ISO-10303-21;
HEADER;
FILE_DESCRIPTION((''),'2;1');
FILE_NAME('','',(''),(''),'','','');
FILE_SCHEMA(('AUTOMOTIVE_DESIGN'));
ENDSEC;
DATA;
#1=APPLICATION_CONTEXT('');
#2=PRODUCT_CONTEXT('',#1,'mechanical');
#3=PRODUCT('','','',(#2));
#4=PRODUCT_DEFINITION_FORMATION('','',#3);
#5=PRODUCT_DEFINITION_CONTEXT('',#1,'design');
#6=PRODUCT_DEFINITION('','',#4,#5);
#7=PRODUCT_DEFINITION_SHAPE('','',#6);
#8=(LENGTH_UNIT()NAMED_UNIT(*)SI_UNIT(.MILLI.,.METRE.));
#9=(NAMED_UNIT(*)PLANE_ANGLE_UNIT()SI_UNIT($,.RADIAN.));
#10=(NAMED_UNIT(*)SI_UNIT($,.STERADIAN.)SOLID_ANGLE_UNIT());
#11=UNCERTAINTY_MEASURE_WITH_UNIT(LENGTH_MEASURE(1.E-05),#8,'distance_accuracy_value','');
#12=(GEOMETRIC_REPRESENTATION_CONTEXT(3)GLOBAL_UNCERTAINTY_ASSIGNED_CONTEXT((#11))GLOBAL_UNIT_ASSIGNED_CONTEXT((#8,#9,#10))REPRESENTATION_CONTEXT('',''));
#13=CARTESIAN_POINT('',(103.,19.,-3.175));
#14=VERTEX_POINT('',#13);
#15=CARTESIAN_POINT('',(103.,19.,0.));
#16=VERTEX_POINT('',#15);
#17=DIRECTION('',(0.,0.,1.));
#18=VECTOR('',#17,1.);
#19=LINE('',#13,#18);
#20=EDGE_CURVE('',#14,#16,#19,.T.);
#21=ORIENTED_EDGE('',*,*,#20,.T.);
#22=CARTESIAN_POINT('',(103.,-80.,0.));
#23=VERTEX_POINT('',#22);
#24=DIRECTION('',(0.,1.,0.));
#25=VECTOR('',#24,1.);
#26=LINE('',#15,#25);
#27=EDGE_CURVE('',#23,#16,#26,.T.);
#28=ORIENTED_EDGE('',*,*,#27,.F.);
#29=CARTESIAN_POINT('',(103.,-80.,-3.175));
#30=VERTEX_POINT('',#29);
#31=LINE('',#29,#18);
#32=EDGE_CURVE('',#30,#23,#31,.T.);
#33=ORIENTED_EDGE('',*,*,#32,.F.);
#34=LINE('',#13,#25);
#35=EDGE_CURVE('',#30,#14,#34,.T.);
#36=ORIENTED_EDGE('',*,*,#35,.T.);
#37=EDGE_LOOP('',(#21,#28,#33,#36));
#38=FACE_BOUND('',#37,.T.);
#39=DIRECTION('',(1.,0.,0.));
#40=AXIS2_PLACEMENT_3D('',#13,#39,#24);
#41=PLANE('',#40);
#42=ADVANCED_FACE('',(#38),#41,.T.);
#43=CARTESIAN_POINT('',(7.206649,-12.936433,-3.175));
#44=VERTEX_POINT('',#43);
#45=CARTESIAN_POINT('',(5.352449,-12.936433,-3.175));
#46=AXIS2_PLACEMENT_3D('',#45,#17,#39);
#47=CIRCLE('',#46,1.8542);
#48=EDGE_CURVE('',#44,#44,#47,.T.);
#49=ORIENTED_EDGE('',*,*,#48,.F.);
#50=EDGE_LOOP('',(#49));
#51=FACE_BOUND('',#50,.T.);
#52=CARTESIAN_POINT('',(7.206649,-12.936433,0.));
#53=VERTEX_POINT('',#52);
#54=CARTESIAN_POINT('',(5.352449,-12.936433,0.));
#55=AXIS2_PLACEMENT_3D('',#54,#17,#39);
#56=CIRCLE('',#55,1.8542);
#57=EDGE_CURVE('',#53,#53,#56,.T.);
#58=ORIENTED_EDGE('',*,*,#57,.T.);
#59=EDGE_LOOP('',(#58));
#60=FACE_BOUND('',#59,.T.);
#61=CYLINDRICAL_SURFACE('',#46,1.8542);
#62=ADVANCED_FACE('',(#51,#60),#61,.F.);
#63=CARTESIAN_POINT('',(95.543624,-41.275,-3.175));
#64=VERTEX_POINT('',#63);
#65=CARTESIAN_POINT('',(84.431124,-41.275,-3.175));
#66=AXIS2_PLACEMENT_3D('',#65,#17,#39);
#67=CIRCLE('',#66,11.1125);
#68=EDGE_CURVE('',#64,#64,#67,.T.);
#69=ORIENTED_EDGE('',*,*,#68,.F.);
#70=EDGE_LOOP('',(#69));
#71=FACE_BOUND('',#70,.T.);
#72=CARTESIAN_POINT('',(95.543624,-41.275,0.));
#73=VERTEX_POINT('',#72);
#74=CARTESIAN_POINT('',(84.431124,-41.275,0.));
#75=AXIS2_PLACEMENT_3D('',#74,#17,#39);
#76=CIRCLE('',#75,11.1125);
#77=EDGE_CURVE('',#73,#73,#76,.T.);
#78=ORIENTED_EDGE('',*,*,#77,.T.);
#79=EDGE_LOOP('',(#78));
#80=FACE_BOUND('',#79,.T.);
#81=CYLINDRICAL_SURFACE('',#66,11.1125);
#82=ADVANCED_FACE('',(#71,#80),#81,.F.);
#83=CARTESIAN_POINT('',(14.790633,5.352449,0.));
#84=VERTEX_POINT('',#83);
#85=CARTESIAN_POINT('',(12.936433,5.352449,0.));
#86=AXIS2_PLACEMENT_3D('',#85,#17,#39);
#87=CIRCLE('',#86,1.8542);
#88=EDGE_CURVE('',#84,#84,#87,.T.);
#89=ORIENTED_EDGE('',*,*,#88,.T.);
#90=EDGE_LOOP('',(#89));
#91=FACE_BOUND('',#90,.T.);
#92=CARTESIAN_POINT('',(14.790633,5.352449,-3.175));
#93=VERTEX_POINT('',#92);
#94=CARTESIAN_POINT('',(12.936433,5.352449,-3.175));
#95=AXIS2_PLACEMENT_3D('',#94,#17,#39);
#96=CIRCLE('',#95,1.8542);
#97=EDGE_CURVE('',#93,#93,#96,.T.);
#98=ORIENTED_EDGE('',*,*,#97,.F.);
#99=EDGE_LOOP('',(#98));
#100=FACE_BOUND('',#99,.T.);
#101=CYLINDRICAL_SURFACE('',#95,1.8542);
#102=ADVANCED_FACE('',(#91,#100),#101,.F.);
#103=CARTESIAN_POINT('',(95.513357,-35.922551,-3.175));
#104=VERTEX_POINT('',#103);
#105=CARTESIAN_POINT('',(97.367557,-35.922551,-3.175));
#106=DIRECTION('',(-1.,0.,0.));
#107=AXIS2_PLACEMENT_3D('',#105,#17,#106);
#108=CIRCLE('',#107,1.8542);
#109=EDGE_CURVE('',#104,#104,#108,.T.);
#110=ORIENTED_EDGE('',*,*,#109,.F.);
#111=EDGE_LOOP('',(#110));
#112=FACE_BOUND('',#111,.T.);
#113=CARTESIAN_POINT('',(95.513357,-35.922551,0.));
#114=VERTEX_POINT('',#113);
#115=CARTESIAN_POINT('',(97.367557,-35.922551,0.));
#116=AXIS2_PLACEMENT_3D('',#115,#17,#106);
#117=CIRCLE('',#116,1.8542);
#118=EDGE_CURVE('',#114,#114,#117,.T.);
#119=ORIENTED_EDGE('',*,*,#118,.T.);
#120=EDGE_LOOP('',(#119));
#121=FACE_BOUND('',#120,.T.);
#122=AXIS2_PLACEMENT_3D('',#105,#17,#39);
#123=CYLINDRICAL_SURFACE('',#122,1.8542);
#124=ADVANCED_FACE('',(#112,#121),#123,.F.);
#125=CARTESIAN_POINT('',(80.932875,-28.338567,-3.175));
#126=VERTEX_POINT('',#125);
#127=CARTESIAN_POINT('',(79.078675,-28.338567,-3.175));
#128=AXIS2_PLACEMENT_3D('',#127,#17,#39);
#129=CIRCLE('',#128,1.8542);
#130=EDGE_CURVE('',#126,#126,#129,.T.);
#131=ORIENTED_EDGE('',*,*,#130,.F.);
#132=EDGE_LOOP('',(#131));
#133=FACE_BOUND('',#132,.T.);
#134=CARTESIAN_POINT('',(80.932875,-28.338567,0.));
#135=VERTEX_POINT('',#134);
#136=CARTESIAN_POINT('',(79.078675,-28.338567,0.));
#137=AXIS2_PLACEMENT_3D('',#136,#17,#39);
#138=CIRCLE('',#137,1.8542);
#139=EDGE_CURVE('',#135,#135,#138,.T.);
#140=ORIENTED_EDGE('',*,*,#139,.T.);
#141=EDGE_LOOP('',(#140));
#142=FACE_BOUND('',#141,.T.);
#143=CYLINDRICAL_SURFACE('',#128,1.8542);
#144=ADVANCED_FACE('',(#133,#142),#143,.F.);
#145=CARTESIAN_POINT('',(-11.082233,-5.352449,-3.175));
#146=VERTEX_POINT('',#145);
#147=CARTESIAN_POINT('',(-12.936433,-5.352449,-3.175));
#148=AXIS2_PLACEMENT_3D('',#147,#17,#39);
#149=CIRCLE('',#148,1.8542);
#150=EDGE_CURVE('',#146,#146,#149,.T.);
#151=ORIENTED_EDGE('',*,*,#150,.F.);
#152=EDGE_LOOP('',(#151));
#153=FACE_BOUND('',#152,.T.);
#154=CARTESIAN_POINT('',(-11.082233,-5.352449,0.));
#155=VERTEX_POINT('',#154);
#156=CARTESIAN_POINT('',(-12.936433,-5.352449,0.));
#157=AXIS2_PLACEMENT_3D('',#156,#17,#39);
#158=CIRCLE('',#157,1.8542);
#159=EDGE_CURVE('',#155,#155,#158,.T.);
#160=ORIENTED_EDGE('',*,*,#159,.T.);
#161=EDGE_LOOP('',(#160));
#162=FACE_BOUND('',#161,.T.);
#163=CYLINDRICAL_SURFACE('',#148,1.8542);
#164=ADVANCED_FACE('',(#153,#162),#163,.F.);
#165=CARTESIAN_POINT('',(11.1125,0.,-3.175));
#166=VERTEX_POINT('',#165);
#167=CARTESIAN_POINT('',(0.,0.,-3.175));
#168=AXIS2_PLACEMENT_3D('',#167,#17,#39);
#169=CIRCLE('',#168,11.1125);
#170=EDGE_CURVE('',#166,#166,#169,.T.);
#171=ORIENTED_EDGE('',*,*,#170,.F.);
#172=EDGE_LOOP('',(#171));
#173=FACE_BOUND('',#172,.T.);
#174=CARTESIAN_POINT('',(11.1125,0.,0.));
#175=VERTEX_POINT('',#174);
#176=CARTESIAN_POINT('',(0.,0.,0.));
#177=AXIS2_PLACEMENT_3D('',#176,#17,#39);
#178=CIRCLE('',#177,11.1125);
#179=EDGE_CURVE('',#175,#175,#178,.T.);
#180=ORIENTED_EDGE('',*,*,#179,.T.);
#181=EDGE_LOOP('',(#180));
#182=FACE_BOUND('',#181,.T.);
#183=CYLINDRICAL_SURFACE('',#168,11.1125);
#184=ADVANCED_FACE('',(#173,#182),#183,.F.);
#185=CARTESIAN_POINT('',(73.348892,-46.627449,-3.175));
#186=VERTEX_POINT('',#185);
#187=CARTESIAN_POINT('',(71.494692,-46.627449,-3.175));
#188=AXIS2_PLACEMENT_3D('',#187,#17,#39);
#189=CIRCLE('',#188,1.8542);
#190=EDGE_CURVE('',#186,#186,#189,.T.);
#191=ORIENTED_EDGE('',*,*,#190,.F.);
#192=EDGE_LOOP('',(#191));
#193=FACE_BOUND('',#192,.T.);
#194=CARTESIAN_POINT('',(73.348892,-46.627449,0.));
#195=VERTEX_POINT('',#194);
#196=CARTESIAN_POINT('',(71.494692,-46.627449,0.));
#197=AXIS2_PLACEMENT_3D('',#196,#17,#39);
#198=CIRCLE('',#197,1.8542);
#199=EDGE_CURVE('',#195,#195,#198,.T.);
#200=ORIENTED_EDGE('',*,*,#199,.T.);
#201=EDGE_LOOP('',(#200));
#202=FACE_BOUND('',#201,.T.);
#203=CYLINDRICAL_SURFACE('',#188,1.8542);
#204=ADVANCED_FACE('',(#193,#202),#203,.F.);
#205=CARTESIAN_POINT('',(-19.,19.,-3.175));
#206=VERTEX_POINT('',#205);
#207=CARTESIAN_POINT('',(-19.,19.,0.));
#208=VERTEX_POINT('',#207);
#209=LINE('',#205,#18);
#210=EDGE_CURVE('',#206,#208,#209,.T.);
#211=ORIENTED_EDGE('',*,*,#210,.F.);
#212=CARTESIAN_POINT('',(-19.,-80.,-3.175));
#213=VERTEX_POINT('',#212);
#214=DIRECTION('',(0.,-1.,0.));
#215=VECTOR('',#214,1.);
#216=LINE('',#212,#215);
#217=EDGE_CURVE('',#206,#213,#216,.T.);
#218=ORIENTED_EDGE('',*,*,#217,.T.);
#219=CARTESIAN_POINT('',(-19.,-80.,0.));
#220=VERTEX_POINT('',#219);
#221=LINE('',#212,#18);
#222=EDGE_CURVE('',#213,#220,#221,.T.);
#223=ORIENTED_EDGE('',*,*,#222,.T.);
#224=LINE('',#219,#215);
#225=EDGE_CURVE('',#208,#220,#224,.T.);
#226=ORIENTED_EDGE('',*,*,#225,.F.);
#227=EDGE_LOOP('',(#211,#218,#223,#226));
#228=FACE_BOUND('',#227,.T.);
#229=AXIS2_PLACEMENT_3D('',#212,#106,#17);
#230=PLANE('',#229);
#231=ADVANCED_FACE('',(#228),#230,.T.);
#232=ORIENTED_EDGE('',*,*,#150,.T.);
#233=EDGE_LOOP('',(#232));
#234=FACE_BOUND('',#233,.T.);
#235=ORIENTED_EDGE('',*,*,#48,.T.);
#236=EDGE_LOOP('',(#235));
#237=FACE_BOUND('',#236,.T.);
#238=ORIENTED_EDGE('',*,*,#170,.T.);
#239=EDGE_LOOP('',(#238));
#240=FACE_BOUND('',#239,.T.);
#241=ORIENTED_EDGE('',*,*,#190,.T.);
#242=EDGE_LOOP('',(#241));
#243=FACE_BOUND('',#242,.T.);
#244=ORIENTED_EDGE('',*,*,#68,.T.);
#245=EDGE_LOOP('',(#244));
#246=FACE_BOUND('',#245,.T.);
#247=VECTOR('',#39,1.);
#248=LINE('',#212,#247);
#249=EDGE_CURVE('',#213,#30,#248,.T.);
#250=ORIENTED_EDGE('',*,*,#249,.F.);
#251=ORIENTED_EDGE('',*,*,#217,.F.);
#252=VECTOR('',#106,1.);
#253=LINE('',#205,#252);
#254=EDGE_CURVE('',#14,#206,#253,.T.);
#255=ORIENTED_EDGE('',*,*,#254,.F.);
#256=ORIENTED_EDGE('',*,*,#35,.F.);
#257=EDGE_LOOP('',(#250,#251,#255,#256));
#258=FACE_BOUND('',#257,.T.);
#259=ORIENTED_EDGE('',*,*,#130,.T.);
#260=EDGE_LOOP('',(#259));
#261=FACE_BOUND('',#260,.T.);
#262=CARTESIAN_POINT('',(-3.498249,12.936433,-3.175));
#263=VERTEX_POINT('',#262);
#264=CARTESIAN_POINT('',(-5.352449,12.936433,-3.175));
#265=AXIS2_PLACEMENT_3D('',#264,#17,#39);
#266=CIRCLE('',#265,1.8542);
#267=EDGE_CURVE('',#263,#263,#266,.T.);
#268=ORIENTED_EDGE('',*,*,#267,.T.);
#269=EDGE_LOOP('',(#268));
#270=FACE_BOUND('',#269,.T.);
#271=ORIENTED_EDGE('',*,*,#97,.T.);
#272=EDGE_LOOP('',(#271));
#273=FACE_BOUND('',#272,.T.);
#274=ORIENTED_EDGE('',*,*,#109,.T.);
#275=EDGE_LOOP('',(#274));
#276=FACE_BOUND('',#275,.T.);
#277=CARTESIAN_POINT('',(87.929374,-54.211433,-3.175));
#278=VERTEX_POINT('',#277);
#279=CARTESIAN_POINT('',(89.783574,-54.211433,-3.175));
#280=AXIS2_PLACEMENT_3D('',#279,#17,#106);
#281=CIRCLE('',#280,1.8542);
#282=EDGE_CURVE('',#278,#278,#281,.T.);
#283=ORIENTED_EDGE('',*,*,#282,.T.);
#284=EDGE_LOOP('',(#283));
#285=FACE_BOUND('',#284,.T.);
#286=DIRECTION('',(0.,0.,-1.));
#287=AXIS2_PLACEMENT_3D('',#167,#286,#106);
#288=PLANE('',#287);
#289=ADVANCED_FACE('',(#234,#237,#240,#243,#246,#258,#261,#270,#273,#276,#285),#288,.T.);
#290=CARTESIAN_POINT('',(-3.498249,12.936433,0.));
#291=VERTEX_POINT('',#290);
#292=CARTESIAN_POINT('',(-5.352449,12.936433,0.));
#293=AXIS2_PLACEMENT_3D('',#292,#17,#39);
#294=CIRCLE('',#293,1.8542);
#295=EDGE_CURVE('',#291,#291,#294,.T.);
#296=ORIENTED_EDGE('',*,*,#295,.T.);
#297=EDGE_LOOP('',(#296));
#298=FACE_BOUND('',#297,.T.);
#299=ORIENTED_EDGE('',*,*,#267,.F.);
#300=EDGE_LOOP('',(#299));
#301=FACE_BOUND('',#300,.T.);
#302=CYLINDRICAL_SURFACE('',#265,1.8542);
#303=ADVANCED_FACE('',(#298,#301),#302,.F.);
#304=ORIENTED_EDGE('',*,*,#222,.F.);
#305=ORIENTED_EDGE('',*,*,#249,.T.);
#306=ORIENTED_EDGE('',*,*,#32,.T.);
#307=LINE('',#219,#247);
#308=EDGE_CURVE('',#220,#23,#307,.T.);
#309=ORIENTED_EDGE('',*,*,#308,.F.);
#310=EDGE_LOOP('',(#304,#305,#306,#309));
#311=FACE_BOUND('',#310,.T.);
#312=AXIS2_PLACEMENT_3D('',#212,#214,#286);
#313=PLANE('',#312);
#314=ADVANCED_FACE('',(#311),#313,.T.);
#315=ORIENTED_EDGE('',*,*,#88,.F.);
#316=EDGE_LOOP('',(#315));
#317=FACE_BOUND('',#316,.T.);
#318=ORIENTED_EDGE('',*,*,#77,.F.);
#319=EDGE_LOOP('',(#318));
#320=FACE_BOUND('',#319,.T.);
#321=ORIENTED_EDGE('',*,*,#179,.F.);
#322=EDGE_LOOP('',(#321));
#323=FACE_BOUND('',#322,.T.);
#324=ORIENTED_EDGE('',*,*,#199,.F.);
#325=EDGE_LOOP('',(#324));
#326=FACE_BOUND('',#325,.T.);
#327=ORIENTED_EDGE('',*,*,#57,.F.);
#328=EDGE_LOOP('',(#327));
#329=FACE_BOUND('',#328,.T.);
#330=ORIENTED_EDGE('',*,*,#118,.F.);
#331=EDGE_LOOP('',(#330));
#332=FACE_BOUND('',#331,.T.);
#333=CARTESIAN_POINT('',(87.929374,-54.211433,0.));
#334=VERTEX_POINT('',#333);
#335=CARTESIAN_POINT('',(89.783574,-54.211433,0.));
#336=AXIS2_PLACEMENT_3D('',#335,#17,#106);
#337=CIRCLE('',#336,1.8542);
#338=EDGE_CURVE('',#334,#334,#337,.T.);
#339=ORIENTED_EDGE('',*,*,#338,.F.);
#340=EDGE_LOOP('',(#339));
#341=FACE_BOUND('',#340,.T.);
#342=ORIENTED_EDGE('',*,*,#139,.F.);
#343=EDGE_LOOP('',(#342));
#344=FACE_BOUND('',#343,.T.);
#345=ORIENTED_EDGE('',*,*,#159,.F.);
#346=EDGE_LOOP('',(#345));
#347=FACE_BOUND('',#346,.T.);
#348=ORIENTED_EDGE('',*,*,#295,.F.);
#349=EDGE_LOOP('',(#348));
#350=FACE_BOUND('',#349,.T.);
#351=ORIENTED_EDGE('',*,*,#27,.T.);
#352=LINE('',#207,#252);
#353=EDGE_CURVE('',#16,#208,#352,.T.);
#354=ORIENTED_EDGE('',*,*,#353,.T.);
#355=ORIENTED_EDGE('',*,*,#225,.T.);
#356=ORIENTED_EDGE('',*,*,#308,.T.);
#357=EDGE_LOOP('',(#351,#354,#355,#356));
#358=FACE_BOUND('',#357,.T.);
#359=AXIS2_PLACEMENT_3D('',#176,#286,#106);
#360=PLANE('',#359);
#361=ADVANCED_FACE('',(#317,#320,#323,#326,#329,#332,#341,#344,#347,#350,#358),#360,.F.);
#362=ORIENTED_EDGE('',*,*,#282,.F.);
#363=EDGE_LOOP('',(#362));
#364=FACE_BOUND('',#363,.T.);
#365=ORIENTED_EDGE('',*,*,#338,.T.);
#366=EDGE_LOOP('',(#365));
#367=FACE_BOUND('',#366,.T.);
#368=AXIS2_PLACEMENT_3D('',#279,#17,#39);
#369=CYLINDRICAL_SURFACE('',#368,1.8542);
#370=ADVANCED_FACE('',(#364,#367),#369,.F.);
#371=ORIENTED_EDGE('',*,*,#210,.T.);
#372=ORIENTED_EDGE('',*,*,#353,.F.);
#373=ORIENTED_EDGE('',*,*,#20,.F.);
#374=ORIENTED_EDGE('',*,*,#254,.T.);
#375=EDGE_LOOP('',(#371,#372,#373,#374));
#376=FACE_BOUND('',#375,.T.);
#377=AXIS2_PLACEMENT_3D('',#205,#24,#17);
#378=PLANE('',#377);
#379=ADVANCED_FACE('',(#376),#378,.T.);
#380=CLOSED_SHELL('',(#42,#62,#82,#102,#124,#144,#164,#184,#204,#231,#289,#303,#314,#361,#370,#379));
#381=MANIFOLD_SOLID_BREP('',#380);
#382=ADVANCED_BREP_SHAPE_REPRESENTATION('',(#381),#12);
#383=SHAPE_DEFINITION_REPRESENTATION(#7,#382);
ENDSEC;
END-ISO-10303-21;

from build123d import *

# Parameters (mm, degrees)
SKETCH1_W           = 122
SKETCH1_H           = 99
SKETCH1_R           = 11.1125
SKETCH1_R_2         = 1.8542
BOSS_EXTRUDE1_DEPTH = 3.175


with BuildPart() as part:
    # Sketch1 → Boss-Extrude1 (new body)
    with BuildSketch(Plane.XY):
        with Locations((42, -30.5)):
            Rectangle(SKETCH1_W, SKETCH1_H)
        Circle(SKETCH1_R, mode=Mode.SUBTRACT)
        with Locations((-5.352449154, 12.936432586)):
            Circle(SKETCH1_R_2, mode=Mode.SUBTRACT)
        with Locations((-12.936432586, -5.352449154)):
            Circle(SKETCH1_R_2, mode=Mode.SUBTRACT)
        with Locations((12.936432586, 5.352449154)):
            Circle(SKETCH1_R_2, mode=Mode.SUBTRACT)
        with Locations((5.352449154, -12.936432586)):
            Circle(SKETCH1_R_2, mode=Mode.SUBTRACT)
        with Locations((84.431124445, -41.275)):
            Circle(SKETCH1_R, mode=Mode.SUBTRACT)
        with Locations((79.07867529, -28.338567414)):
            Circle(SKETCH1_R_2, mode=Mode.SUBTRACT)
        with Locations((71.494691859, -46.627449154)):
            Circle(SKETCH1_R_2, mode=Mode.SUBTRACT)
        with Locations((89.783573599, -54.211432586)):
            Circle(SKETCH1_R_2, mode=Mode.SUBTRACT)
        with Locations((97.367557031, -35.922550846)):
            Circle(SKETCH1_R_2, mode=Mode.SUBTRACT)
    extrude(amount=-BOSS_EXTRUDE1_DEPTH)


solid = part.part
